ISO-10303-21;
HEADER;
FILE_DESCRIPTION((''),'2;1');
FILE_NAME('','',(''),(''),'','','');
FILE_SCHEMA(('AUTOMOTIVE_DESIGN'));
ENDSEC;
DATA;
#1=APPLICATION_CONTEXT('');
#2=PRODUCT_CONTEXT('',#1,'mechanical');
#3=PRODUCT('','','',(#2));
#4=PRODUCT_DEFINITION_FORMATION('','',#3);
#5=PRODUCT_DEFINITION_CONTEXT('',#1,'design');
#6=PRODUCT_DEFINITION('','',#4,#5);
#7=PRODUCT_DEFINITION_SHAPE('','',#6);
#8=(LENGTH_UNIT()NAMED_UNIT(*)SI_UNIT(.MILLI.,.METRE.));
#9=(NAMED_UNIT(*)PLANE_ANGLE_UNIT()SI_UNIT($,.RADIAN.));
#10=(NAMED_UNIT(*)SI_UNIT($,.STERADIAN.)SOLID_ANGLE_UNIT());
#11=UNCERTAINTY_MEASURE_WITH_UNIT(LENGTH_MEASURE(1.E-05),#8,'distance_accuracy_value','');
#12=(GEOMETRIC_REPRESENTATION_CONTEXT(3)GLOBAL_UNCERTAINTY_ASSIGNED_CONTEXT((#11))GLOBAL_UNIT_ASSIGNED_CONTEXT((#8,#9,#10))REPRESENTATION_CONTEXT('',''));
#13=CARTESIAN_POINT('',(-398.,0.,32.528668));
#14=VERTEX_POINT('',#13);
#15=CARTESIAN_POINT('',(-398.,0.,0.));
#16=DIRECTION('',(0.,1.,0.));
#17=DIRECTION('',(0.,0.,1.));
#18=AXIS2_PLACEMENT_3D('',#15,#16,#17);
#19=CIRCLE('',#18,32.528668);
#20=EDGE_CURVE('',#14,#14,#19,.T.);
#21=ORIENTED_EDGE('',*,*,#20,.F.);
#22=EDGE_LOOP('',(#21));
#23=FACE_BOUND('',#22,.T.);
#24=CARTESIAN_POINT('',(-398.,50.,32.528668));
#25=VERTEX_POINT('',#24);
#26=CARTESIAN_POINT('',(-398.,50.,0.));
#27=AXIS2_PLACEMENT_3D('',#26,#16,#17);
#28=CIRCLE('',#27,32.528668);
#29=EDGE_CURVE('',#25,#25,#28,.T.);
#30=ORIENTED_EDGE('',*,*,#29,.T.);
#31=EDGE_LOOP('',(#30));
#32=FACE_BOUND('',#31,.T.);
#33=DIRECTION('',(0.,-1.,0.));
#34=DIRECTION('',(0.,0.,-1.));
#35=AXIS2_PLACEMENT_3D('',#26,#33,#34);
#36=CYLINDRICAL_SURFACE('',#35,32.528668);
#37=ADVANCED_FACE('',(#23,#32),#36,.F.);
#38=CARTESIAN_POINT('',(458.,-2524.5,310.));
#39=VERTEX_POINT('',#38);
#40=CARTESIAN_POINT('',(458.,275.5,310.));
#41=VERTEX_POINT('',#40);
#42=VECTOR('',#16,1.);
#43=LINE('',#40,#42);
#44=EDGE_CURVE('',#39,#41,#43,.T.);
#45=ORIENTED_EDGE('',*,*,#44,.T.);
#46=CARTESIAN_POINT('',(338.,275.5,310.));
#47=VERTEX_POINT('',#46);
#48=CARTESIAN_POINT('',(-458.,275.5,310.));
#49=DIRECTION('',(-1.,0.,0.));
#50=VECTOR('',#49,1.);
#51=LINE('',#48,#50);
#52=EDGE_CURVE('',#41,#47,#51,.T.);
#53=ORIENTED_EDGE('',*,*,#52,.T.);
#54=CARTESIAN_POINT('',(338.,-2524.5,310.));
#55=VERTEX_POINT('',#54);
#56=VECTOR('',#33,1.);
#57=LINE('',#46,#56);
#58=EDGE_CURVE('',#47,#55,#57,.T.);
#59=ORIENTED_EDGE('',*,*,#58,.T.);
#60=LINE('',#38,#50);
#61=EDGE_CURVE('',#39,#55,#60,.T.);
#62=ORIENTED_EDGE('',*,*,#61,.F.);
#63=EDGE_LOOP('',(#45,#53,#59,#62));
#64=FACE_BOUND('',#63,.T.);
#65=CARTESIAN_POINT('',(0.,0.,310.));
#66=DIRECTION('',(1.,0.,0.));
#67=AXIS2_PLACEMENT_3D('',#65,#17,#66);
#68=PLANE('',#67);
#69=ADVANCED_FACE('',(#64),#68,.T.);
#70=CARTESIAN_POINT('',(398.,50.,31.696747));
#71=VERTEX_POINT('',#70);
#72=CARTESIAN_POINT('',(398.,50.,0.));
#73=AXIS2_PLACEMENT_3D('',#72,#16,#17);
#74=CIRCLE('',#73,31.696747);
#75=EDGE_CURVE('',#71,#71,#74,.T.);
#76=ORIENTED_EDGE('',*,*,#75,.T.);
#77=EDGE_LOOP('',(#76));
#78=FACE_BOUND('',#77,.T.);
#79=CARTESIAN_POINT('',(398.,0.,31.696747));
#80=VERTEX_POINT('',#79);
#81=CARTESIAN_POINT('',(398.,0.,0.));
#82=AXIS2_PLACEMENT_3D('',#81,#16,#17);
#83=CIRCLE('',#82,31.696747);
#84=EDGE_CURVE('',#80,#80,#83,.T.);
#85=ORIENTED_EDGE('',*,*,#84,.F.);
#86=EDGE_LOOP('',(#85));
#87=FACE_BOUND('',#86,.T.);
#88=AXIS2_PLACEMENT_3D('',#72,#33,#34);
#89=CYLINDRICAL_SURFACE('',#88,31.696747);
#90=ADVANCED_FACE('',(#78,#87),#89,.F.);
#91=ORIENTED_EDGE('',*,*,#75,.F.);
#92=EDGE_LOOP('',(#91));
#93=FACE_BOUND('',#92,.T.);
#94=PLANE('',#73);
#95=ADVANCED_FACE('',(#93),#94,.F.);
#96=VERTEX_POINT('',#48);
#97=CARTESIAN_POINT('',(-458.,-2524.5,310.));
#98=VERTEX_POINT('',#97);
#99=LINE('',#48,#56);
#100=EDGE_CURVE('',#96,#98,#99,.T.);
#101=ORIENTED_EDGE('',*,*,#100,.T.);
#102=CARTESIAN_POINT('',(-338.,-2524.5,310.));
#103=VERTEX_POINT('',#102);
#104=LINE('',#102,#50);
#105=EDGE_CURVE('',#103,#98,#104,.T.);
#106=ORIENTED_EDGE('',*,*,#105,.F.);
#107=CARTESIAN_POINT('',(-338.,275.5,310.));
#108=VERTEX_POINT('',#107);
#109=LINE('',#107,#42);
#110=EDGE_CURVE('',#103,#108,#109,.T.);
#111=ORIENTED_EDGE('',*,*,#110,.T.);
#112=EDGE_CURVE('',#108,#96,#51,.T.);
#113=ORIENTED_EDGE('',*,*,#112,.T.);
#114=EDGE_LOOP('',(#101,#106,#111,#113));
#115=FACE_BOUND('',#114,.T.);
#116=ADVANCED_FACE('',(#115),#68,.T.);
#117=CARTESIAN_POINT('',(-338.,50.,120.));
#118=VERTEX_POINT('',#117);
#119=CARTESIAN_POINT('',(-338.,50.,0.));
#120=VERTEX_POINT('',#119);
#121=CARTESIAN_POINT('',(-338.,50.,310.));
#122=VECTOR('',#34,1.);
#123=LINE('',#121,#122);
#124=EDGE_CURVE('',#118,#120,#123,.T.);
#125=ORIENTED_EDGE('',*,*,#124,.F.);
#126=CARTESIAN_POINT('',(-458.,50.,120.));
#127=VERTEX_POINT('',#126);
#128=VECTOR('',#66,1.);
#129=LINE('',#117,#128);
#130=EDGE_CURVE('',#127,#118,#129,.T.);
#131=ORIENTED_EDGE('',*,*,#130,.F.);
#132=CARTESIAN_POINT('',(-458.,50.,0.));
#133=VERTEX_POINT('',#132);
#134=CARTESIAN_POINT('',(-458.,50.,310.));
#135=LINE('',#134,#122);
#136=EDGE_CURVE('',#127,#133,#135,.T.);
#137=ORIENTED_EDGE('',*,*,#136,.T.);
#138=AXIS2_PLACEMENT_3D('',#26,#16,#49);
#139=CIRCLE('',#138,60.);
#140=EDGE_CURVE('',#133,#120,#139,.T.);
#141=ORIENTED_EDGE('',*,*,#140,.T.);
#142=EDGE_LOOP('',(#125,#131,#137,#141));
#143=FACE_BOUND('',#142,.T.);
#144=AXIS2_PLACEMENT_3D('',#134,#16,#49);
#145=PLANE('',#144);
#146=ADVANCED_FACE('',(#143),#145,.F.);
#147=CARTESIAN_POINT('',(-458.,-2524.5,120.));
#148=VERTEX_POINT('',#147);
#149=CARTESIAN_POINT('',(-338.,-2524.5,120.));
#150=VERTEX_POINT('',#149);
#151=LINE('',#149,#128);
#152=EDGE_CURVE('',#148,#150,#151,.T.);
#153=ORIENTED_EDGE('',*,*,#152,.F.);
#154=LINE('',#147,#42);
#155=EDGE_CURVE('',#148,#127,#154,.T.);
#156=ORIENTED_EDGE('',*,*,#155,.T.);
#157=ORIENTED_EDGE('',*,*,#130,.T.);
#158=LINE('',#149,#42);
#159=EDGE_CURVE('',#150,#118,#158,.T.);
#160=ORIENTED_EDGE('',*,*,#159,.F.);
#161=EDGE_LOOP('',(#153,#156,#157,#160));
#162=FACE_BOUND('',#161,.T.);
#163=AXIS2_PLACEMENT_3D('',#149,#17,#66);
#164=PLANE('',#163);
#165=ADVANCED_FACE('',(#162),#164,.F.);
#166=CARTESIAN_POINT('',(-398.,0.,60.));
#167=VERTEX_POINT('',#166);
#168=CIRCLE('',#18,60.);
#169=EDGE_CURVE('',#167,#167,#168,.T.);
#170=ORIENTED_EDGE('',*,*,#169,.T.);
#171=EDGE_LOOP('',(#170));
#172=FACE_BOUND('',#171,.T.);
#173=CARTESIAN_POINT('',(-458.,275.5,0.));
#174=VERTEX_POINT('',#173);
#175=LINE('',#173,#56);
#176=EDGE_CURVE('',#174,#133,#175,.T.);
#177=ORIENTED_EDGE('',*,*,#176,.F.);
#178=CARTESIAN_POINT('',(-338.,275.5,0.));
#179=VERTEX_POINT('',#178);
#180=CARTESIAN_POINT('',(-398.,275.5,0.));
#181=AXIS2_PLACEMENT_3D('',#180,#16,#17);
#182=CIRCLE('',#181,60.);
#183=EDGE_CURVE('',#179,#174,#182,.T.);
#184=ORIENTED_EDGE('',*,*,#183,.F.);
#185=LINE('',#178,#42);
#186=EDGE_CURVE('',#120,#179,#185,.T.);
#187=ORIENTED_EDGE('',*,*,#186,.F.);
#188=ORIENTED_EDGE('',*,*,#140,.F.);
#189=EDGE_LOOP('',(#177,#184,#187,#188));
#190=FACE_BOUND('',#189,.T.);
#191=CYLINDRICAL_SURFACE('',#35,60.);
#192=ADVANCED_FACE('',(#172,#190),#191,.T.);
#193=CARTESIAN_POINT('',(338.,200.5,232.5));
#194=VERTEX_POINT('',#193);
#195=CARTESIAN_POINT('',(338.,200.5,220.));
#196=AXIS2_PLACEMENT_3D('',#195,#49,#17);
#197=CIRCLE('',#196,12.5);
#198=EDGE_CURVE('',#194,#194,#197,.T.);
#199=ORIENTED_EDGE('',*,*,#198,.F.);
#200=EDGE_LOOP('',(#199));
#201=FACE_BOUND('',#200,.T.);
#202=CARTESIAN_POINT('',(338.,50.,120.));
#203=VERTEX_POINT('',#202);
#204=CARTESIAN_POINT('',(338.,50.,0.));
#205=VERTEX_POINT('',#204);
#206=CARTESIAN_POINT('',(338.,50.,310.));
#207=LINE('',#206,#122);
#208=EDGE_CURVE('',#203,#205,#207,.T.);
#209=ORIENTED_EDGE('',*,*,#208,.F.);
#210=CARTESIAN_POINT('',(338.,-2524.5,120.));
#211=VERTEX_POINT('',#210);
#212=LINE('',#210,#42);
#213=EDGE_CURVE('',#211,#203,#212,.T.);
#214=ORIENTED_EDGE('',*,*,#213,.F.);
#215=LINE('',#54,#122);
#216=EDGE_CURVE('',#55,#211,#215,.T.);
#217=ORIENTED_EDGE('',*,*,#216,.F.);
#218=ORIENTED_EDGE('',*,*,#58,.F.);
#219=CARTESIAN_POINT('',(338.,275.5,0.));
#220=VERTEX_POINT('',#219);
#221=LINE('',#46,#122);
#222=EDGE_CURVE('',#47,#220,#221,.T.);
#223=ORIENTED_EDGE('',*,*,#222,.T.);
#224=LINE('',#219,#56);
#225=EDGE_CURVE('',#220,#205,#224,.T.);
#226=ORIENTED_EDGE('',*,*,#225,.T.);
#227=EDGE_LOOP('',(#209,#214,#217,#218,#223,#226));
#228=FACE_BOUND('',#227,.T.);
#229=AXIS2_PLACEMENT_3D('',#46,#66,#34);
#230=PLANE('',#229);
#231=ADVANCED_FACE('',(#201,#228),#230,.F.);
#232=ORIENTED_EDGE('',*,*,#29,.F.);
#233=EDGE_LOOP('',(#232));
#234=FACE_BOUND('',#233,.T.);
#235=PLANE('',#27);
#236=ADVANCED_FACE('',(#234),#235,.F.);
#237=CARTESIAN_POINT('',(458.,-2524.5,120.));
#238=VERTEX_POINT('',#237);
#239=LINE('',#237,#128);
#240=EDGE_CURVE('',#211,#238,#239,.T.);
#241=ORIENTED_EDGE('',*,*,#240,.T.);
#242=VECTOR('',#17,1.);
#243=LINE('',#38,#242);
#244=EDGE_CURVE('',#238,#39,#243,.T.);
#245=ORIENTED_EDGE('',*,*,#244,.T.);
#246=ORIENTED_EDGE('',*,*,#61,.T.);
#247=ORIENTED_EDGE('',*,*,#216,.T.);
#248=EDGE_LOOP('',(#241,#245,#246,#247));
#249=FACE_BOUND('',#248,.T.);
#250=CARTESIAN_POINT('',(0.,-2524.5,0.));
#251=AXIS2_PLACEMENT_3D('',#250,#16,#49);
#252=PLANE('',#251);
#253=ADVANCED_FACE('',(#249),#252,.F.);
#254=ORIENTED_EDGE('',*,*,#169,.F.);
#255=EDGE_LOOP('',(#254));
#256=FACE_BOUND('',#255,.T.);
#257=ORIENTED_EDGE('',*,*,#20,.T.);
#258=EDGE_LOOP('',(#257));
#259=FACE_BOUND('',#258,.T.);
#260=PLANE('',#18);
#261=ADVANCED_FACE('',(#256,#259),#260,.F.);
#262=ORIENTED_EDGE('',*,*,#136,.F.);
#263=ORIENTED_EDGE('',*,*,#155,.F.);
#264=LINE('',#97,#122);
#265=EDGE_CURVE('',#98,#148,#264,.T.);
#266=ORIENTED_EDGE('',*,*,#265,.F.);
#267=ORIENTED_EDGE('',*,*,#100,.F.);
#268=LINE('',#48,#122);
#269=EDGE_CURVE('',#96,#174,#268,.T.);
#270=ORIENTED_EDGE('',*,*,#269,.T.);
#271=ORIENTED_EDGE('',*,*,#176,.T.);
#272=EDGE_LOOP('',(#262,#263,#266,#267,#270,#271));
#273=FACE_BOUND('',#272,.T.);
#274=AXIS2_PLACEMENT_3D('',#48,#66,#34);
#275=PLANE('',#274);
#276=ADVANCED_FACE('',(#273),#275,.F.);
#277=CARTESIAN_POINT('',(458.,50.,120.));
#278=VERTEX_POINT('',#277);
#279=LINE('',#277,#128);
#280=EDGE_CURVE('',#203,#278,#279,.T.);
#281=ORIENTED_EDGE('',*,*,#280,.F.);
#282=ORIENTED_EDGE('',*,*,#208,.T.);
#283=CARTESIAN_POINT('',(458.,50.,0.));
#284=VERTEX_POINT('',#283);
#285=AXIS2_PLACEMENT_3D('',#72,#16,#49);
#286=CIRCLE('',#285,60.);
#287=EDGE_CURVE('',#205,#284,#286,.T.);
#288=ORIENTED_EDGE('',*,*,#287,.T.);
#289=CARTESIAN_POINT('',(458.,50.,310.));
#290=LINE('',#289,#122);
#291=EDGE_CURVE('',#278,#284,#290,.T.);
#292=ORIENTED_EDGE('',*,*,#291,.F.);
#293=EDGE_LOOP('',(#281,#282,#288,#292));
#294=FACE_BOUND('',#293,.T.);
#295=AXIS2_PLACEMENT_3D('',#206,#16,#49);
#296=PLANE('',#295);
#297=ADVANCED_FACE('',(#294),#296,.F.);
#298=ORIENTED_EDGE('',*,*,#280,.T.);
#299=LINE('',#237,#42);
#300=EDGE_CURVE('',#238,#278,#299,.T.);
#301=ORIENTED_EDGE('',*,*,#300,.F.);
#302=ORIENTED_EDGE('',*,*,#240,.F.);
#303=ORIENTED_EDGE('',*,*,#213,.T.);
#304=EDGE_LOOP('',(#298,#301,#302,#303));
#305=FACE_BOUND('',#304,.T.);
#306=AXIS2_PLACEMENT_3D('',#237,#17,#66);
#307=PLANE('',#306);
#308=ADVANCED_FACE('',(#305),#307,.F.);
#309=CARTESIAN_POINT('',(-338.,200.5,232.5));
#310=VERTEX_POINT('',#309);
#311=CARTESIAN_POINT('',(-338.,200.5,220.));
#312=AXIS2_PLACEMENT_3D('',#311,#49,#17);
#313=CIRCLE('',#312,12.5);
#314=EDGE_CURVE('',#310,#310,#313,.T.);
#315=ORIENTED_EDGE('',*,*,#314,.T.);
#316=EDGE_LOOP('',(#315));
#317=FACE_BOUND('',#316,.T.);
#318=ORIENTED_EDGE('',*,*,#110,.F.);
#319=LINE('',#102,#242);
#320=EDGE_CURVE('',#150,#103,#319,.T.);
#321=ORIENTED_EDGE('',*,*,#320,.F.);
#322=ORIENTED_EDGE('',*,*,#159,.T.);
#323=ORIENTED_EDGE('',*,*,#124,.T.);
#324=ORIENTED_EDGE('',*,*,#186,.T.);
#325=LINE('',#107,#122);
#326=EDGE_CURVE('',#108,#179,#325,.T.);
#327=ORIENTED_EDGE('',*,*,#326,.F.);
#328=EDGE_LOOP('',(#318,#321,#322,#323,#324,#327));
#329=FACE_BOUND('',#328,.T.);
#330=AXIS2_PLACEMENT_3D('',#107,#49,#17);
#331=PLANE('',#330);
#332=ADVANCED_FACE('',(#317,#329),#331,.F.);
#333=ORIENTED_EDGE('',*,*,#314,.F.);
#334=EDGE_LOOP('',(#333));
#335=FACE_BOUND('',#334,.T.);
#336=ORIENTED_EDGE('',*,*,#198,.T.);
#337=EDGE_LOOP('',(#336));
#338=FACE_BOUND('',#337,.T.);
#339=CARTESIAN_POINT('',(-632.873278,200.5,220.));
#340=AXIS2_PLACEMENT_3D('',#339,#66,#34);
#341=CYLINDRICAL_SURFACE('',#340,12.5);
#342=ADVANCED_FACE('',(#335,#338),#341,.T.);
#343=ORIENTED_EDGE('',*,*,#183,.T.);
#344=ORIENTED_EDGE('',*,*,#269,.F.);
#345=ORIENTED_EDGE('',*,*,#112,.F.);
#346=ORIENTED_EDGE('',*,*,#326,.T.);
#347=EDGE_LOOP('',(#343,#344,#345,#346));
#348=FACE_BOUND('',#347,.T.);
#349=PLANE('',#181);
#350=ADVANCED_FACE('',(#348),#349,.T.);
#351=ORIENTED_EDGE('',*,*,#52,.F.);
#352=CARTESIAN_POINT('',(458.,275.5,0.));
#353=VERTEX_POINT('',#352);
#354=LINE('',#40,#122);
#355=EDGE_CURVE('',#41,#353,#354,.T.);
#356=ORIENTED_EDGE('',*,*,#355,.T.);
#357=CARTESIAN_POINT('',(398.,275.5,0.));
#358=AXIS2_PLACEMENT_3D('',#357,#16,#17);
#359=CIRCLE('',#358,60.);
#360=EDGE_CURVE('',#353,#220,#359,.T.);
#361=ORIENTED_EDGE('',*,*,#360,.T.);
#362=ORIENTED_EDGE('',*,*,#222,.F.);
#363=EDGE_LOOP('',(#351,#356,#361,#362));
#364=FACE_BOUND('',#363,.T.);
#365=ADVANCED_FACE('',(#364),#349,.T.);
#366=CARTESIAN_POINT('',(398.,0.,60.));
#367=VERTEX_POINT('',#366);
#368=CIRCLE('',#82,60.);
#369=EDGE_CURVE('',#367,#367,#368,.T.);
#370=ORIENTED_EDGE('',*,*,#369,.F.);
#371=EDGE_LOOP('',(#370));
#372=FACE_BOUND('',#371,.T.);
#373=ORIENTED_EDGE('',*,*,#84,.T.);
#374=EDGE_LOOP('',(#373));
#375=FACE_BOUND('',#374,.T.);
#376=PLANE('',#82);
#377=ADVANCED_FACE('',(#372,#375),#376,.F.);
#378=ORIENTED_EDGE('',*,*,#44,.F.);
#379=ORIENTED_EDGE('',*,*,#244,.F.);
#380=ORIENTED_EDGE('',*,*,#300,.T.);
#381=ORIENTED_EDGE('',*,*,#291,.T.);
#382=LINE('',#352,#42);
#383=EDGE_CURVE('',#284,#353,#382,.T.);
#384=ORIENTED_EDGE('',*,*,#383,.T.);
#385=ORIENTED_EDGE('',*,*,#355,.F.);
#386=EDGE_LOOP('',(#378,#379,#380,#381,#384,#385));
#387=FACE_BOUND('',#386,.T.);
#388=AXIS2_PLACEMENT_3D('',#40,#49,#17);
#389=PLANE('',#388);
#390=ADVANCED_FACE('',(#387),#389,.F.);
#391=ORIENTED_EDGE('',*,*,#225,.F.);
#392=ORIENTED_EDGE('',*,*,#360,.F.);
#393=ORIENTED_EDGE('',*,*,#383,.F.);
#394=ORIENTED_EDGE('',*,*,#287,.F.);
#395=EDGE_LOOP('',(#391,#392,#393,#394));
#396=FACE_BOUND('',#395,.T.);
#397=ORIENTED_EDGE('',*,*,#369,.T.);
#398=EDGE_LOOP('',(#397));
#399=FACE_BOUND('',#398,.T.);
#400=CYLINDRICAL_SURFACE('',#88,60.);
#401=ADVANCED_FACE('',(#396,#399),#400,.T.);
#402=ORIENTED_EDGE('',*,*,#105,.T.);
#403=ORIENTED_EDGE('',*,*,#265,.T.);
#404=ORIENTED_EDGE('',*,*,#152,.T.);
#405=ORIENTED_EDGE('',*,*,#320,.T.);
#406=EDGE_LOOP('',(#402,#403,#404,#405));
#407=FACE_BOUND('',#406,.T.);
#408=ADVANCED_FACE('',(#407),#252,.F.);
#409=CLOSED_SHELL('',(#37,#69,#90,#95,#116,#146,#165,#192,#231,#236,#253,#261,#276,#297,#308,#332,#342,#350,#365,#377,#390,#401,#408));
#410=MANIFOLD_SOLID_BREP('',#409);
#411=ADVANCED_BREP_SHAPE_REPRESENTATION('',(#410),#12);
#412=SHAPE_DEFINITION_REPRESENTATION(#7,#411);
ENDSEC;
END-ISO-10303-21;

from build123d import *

# Parameters (mm, degrees)
SKETCH1_R             = 60
SKETCH1_R_2           = 32.528667591
BOSS_EXTRUDE1_DEPTH   = 50
SKETCH1_R_3           = 31.696746535
BOSS_EXTRUDE1_2_DEPTH = 50
SKETCH2_R             = 60
BOSS_EXTRUDE2_DEPTH   = 225.5
SKETCH5_W             = 120
SKETCH5_H             = 225.5
BOSS_EXTRUDE3_DEPTH   = 310
SKETCH6_W             = 120
SKETCH6_H             = 190
BOSS_EXTRUDE4_DEPTH   = 2574.5
SKETCH7_W             = 190
SKETCH7_H             = 225.5
BOSS_EXTRUDE5_DEPTH   = 676
SKETCH9_W             = 190
SKETCH9_H             = 225.5
SKETCH9_R             = 12.5
CUT_EXTRUDE1_DEPTH    = 676


with BuildPart() as part:
    # Sketch1 → Boss-Extrude1 (new body)
    with BuildSketch(Plane(origin=(0, 0, 0), x_dir=(1, 0, 0), z_dir=(0, 1, 0))):
        with Locations(Location((-398, 0, 0), (0, 0, 270))):
            Circle(SKETCH1_R)
        with Locations(Location((-398, 0, 0), (0, 0, 270))):
            Circle(SKETCH1_R_2, mode=Mode.SUBTRACT)
    extrude(amount=BOSS_EXTRUDE1_DEPTH)



with BuildPart() as body_2:
    # Sketch1 → Boss-Extrude1 2 (new body)
    with BuildSketch(Plane(origin=(0, 0, 0), x_dir=(1, 0, 0), z_dir=(0, 1, 0))):
        with Locations(Location((398, 0, 0), (0, 0, 270))):
            Circle(SKETCH1_R)
        with Locations(Location((398, 0, 0), (0, 0, 270))):
            Circle(SKETCH1_R_3, mode=Mode.SUBTRACT)
    extrude(amount=BOSS_EXTRUDE1_2_DEPTH)


with BuildPart() as part_1:
    add(part.part)

    add(body_2.part)  # Boss-Extrude2 merges body 2
    # Sketch2 → Boss-Extrude2 (add)
    with BuildSketch(Plane(origin=(0, 50, 0), x_dir=(1, 0, 0), z_dir=(0, 1, 0))):
        with Locations(Location((398, 0, 0), (0, 0, 270))):
            Circle(SKETCH2_R)
        with Locations(Location((-398, 0, 0), (0, 0, 270))):
            Circle(SKETCH2_R)
    extrude(amount=BOSS_EXTRUDE2_DEPTH)

    # Sketch5 → Boss-Extrude3 (add)
    with BuildSketch(Plane.XY):
        with Locations((-398, 162.75)):
            Rectangle(SKETCH5_W, SKETCH5_H)
        with Locations((398, 162.75)):
            Rectangle(SKETCH5_W, SKETCH5_H)
    extrude(amount=BOSS_EXTRUDE3_DEPTH)

    # Sketch6 → Boss-Extrude4 (add)
    with BuildSketch(Plane.XZ.offset(-50)):
        with Locations((398, 215)):
            Rectangle(SKETCH6_W, SKETCH6_H)
        with Locations((-398, 215)):
            Rectangle(SKETCH6_W, SKETCH6_H)
    extrude(amount=BOSS_EXTRUDE4_DEPTH)

    # Sketch7 → Boss-Extrude5 (add)
    with BuildSketch(Plane(origin=(-338, 0, 0), x_dir=(0, 0, -1), z_dir=(1, 0, 0))):
        with Locations((-215, 162.75)):
            Rectangle(SKETCH7_W, SKETCH7_H)
    extrude(amount=BOSS_EXTRUDE5_DEPTH)

    # Sketch9 → Cut-Extrude1 (cut)
    with BuildSketch(Plane.ZY.offset(-338)):
        with Locations((215, 162.75)):
            Rectangle(SKETCH9_W, SKETCH9_H)
        with Locations((220, 200.5)):
            Circle(SKETCH9_R, mode=Mode.SUBTRACT)
    extrude(amount=CUT_EXTRUDE1_DEPTH, mode=Mode.SUBTRACT)


solid = part_1.part
